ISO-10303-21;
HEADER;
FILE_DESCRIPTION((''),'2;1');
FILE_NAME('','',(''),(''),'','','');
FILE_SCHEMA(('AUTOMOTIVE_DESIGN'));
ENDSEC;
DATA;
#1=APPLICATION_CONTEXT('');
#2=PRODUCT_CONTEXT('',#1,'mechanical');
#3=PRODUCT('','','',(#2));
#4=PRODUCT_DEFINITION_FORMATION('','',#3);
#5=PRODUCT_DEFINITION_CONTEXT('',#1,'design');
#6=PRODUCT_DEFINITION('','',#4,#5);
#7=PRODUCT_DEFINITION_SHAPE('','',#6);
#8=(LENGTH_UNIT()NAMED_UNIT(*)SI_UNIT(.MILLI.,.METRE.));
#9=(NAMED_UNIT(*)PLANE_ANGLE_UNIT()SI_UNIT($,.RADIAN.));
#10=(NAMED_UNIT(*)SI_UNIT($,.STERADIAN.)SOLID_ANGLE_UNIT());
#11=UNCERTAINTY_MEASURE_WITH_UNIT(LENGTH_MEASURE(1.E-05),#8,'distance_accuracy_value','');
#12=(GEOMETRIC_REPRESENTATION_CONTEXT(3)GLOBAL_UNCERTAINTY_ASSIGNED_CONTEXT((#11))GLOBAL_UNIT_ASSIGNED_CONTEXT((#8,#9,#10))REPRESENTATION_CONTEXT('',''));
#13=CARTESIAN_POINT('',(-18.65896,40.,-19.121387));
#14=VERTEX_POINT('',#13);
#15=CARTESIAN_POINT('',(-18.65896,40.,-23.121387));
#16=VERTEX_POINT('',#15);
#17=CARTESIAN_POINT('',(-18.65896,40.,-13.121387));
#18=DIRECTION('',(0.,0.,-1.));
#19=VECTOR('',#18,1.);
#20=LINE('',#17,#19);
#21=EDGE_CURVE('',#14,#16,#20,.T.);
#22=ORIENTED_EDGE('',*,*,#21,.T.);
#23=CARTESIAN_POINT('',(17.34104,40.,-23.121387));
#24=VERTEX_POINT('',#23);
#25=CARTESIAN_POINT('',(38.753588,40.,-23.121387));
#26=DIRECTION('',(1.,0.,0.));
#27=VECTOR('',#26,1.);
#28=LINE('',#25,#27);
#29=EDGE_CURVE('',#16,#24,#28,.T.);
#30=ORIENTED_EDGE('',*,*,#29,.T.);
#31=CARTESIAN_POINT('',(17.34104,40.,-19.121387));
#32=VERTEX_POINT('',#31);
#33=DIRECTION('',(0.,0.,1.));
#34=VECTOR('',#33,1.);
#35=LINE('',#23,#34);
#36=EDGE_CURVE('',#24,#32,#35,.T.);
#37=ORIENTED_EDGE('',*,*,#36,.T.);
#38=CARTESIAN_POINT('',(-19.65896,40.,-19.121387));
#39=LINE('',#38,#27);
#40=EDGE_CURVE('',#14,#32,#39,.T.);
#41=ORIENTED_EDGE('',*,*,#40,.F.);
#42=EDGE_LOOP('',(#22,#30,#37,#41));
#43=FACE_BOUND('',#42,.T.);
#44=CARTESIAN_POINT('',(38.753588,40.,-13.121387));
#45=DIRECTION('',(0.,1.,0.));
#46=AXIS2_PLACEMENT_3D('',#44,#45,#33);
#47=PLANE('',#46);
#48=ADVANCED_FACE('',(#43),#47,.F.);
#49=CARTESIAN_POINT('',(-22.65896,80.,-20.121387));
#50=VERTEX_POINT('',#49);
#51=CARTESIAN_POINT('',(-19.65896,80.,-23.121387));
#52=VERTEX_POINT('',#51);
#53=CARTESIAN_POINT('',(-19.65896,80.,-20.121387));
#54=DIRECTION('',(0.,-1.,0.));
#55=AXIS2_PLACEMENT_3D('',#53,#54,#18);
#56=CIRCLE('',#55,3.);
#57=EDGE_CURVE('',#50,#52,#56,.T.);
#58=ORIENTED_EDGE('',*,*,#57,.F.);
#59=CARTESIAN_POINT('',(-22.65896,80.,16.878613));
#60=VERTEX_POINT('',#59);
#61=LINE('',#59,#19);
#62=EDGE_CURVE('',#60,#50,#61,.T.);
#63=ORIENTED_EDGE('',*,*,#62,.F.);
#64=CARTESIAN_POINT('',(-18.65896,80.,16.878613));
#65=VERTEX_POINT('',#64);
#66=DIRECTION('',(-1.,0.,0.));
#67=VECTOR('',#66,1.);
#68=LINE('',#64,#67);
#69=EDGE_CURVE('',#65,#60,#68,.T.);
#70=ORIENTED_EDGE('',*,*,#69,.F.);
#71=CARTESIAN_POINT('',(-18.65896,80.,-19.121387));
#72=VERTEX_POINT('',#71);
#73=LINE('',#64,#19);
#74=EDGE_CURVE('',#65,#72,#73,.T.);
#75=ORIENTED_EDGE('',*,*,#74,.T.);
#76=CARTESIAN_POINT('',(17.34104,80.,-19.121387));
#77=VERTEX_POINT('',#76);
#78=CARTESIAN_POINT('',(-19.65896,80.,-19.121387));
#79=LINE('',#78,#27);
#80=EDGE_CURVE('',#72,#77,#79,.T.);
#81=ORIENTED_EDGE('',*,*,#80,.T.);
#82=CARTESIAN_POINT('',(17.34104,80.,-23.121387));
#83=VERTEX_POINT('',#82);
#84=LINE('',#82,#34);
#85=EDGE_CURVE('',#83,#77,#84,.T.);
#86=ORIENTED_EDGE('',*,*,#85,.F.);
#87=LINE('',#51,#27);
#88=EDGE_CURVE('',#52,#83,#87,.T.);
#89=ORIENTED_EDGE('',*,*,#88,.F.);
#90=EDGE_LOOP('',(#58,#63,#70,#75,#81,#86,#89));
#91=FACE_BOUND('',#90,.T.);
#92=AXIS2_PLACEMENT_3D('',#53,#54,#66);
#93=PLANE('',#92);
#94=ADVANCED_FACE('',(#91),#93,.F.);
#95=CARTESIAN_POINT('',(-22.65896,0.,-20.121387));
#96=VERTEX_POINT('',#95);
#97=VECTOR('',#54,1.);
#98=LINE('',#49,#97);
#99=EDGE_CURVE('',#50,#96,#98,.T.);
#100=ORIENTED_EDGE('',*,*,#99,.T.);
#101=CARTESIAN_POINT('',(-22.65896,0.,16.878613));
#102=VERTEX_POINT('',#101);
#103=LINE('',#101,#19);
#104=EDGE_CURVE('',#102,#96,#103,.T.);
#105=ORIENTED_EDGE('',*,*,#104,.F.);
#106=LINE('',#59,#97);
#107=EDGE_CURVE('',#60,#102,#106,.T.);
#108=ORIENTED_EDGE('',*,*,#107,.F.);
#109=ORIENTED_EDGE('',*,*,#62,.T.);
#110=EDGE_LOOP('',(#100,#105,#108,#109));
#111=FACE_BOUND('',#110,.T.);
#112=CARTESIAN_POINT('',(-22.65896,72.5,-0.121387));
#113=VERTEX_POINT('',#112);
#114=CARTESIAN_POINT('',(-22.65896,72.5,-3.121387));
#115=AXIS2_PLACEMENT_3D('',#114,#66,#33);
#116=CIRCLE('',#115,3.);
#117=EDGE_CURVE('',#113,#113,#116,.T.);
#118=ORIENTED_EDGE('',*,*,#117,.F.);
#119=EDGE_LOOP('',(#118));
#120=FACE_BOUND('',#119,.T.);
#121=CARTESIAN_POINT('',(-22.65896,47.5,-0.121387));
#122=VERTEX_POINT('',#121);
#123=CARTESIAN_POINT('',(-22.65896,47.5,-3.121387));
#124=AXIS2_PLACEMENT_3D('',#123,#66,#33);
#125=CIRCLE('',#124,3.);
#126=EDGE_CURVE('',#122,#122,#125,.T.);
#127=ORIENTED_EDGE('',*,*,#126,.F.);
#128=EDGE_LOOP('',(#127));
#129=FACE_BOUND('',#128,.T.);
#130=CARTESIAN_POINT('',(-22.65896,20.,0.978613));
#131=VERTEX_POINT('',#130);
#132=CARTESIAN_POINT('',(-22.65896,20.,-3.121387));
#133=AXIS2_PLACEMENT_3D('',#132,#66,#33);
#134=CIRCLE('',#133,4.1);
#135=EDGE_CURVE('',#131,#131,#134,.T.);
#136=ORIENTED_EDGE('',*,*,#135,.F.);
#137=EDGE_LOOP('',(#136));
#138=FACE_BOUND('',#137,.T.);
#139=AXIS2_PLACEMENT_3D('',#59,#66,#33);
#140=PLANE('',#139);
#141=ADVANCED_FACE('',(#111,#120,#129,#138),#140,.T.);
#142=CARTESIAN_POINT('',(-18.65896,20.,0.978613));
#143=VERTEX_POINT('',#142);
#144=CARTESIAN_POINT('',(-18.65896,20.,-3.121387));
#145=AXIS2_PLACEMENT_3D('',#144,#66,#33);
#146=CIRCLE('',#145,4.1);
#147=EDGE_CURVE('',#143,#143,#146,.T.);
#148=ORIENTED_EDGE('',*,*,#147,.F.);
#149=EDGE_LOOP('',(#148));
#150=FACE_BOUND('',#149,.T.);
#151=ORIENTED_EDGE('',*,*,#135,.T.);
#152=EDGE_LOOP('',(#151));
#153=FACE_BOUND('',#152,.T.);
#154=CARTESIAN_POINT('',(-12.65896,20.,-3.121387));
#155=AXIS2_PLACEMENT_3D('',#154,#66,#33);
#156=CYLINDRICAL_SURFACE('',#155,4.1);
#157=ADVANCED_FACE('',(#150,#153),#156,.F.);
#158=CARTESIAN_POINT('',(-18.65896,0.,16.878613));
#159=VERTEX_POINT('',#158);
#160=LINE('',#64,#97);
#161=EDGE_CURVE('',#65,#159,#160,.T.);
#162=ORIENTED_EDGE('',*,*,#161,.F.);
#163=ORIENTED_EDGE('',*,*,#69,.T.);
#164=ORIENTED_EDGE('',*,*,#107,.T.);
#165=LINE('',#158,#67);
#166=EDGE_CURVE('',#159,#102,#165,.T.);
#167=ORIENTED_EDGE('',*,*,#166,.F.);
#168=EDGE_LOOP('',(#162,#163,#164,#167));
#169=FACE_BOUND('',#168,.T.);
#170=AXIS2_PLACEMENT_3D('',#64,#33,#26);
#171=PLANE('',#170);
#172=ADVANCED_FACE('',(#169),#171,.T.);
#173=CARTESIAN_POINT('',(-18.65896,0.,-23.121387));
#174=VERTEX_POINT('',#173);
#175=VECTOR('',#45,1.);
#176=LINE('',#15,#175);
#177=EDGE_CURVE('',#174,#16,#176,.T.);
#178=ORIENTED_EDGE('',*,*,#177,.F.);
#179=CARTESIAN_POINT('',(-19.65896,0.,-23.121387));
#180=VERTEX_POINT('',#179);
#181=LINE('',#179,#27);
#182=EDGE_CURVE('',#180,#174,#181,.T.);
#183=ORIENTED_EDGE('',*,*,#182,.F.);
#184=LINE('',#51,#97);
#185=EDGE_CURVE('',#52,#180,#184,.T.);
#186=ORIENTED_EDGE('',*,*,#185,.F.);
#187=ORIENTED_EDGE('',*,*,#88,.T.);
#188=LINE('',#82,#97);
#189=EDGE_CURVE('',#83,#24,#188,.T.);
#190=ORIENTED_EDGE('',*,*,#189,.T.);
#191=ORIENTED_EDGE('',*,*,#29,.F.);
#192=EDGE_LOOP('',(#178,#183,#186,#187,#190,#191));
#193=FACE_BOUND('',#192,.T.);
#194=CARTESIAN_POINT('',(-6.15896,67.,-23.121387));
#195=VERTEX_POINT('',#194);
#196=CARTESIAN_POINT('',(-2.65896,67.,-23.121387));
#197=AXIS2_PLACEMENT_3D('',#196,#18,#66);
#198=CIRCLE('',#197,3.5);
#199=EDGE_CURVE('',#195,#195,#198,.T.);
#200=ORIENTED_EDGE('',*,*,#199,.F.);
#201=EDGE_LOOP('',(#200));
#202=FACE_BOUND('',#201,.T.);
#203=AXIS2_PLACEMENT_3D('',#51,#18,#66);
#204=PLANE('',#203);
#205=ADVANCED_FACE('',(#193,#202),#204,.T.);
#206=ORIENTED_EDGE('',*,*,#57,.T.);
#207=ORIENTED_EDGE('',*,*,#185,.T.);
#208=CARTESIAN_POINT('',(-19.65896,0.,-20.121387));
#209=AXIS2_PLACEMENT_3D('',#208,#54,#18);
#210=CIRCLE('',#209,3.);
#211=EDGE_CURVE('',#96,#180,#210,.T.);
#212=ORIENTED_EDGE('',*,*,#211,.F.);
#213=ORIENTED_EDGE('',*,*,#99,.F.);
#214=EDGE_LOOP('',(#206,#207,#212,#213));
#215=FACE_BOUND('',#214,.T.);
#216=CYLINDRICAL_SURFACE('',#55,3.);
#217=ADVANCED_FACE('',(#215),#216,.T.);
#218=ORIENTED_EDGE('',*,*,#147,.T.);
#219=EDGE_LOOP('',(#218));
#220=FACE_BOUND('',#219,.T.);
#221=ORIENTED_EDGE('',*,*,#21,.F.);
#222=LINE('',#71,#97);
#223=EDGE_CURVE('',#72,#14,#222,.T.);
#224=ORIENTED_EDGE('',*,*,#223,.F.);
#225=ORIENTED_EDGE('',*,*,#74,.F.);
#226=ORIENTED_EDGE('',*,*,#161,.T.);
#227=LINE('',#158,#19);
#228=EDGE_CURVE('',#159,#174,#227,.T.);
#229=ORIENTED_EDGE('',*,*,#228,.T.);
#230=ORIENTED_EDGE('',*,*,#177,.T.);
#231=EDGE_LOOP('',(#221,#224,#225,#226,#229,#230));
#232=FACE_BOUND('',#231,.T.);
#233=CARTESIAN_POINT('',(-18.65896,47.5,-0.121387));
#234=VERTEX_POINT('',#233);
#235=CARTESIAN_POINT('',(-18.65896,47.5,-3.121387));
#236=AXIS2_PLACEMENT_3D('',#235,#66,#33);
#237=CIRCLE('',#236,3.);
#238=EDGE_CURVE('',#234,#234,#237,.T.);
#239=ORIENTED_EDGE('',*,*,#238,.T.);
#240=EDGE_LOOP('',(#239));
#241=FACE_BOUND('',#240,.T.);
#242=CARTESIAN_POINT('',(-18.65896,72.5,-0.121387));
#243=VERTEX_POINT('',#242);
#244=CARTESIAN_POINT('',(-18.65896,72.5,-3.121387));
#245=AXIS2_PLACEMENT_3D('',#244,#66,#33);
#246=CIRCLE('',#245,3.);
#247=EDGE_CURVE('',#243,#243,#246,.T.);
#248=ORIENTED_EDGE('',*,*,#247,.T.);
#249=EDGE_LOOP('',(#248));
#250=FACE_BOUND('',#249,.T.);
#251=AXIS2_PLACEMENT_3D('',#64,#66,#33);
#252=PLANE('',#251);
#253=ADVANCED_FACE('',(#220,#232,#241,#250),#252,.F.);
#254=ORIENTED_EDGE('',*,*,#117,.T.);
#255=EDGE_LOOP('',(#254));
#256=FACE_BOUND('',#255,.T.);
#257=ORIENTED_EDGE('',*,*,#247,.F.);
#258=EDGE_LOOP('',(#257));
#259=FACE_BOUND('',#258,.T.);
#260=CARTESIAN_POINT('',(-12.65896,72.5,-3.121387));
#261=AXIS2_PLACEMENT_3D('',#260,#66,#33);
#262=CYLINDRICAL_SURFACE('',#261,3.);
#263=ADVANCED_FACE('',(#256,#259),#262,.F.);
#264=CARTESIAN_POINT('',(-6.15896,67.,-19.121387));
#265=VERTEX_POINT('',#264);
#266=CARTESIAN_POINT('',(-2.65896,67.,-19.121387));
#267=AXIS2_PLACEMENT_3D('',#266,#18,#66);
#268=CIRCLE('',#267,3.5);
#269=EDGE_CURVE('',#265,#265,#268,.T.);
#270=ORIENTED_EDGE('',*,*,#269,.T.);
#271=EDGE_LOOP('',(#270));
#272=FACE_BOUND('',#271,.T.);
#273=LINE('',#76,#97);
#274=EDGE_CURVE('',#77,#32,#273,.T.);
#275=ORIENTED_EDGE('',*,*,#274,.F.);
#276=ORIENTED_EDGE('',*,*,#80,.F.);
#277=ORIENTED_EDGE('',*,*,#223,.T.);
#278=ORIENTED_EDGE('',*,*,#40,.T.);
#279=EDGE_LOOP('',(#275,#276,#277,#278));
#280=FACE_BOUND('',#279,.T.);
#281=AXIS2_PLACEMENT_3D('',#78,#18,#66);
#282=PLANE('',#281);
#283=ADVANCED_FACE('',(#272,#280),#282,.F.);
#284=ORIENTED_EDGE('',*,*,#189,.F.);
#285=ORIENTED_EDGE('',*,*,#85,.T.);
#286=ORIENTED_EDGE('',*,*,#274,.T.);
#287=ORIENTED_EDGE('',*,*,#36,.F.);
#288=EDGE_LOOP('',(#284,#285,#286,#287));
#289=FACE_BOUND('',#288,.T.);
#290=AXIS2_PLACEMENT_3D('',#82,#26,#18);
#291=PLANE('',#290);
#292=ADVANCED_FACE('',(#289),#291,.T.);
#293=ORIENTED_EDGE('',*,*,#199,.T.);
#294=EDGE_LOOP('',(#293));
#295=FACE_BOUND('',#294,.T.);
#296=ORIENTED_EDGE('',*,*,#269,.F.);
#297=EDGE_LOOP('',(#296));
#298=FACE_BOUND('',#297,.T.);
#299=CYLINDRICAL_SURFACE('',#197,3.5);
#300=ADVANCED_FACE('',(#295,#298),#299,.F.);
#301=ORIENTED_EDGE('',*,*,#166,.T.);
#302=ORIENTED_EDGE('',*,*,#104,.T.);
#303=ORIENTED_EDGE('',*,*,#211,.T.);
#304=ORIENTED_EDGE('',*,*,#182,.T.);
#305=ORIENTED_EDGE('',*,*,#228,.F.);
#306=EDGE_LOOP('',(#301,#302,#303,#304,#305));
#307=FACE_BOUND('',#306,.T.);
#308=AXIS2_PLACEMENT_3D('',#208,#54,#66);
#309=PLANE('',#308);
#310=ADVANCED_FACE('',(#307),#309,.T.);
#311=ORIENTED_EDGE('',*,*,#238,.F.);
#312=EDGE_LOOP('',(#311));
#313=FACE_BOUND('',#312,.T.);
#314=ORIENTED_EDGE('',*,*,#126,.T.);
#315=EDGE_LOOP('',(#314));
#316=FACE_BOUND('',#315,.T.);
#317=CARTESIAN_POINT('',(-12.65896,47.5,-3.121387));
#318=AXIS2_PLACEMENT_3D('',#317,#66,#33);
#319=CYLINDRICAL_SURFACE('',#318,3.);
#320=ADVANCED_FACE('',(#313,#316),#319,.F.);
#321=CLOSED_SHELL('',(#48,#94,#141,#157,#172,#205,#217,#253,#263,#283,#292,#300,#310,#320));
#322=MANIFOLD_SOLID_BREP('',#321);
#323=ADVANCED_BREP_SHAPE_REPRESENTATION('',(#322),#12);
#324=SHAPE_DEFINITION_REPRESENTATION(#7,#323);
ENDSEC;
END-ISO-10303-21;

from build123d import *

# Parameters (mm, degrees)
EXTRUDE_THIN1_DEPTH   = 80
SKETCH5_R             = 4.1
SKETCH5_R_2           = 3
CUT_EXTRUDE2_DEPTH    = 10
SKETCH6_W             = 57.412547925
SKETCH6_H             = 40
CUT_EXTRUDE3_DEPTH    = 10
M8X1_0_TAPPED_HOLE3_D = 7


with BuildPart() as part:
    # Sketch1 → Extrude-Thin1 (new body)
    with BuildSketch(Plane(origin=(0, 0, 0), x_dir=(1, 0, 0), z_dir=(0, 1, 0))):
        with BuildLine():
            Line((-22.658959538, -16.878612717), (-22.658959538, 20.121387283))
            ThreePointArc((-22.658959538, 20.121387283), (-21.780279881, 22.242707627), (-19.658959538, 23.121387283))
            Line((-19.658959538, 23.121387283), (17.341040462, 23.121387283))
            Line((17.341040462, 23.121387283), (17.341040462, 19.121387283))
            Line((17.341040462, 19.121387283), (-18.658959538, 19.121387283))
            Line((-18.658959538, 19.121387283), (-18.658959538, -16.878612717))
            Line((-18.658959538, -16.878612717), (-22.658959538, -16.878612717))
        make_face()
    extrude(amount=EXTRUDE_THIN1_DEPTH)

    # Sketch5 → Cut-Extrude2 (cut)
    with BuildSketch(Plane.ZY.offset(22.658959538)):
        with Locations((-3.121387283, 20)):
            Circle(SKETCH5_R)
        with Locations((-3.121387283, 47.5)):
            Circle(SKETCH5_R_2)
        with Locations((-3.121387283, 72.5)):
            Circle(SKETCH5_R_2)
    extrude(amount=-CUT_EXTRUDE2_DEPTH, mode=Mode.SUBTRACT)

    # Sketch6 → Cut-Extrude3 (cut)
    with BuildSketch(Plane(origin=(0, 0, -23.121387283), x_dir=(-1, 0, 0), z_dir=(0, 0, -1))):
        with Locations((-10.047314424, 20)):
            Rectangle(SKETCH6_W, SKETCH6_H)
    extrude(amount=-CUT_EXTRUDE3_DEPTH, mode=Mode.SUBTRACT)

    # M8x1.0 Tapped Hole3 (through all)
    with Locations(Plane(origin=(0, 0, -23.121387283), x_dir=(-1, 0, 0), z_dir=(0, 0, -1))):
        with Locations((2.658959538, 67)):
            Hole(M8X1_0_TAPPED_HOLE3_D / 2)


solid = part.part
